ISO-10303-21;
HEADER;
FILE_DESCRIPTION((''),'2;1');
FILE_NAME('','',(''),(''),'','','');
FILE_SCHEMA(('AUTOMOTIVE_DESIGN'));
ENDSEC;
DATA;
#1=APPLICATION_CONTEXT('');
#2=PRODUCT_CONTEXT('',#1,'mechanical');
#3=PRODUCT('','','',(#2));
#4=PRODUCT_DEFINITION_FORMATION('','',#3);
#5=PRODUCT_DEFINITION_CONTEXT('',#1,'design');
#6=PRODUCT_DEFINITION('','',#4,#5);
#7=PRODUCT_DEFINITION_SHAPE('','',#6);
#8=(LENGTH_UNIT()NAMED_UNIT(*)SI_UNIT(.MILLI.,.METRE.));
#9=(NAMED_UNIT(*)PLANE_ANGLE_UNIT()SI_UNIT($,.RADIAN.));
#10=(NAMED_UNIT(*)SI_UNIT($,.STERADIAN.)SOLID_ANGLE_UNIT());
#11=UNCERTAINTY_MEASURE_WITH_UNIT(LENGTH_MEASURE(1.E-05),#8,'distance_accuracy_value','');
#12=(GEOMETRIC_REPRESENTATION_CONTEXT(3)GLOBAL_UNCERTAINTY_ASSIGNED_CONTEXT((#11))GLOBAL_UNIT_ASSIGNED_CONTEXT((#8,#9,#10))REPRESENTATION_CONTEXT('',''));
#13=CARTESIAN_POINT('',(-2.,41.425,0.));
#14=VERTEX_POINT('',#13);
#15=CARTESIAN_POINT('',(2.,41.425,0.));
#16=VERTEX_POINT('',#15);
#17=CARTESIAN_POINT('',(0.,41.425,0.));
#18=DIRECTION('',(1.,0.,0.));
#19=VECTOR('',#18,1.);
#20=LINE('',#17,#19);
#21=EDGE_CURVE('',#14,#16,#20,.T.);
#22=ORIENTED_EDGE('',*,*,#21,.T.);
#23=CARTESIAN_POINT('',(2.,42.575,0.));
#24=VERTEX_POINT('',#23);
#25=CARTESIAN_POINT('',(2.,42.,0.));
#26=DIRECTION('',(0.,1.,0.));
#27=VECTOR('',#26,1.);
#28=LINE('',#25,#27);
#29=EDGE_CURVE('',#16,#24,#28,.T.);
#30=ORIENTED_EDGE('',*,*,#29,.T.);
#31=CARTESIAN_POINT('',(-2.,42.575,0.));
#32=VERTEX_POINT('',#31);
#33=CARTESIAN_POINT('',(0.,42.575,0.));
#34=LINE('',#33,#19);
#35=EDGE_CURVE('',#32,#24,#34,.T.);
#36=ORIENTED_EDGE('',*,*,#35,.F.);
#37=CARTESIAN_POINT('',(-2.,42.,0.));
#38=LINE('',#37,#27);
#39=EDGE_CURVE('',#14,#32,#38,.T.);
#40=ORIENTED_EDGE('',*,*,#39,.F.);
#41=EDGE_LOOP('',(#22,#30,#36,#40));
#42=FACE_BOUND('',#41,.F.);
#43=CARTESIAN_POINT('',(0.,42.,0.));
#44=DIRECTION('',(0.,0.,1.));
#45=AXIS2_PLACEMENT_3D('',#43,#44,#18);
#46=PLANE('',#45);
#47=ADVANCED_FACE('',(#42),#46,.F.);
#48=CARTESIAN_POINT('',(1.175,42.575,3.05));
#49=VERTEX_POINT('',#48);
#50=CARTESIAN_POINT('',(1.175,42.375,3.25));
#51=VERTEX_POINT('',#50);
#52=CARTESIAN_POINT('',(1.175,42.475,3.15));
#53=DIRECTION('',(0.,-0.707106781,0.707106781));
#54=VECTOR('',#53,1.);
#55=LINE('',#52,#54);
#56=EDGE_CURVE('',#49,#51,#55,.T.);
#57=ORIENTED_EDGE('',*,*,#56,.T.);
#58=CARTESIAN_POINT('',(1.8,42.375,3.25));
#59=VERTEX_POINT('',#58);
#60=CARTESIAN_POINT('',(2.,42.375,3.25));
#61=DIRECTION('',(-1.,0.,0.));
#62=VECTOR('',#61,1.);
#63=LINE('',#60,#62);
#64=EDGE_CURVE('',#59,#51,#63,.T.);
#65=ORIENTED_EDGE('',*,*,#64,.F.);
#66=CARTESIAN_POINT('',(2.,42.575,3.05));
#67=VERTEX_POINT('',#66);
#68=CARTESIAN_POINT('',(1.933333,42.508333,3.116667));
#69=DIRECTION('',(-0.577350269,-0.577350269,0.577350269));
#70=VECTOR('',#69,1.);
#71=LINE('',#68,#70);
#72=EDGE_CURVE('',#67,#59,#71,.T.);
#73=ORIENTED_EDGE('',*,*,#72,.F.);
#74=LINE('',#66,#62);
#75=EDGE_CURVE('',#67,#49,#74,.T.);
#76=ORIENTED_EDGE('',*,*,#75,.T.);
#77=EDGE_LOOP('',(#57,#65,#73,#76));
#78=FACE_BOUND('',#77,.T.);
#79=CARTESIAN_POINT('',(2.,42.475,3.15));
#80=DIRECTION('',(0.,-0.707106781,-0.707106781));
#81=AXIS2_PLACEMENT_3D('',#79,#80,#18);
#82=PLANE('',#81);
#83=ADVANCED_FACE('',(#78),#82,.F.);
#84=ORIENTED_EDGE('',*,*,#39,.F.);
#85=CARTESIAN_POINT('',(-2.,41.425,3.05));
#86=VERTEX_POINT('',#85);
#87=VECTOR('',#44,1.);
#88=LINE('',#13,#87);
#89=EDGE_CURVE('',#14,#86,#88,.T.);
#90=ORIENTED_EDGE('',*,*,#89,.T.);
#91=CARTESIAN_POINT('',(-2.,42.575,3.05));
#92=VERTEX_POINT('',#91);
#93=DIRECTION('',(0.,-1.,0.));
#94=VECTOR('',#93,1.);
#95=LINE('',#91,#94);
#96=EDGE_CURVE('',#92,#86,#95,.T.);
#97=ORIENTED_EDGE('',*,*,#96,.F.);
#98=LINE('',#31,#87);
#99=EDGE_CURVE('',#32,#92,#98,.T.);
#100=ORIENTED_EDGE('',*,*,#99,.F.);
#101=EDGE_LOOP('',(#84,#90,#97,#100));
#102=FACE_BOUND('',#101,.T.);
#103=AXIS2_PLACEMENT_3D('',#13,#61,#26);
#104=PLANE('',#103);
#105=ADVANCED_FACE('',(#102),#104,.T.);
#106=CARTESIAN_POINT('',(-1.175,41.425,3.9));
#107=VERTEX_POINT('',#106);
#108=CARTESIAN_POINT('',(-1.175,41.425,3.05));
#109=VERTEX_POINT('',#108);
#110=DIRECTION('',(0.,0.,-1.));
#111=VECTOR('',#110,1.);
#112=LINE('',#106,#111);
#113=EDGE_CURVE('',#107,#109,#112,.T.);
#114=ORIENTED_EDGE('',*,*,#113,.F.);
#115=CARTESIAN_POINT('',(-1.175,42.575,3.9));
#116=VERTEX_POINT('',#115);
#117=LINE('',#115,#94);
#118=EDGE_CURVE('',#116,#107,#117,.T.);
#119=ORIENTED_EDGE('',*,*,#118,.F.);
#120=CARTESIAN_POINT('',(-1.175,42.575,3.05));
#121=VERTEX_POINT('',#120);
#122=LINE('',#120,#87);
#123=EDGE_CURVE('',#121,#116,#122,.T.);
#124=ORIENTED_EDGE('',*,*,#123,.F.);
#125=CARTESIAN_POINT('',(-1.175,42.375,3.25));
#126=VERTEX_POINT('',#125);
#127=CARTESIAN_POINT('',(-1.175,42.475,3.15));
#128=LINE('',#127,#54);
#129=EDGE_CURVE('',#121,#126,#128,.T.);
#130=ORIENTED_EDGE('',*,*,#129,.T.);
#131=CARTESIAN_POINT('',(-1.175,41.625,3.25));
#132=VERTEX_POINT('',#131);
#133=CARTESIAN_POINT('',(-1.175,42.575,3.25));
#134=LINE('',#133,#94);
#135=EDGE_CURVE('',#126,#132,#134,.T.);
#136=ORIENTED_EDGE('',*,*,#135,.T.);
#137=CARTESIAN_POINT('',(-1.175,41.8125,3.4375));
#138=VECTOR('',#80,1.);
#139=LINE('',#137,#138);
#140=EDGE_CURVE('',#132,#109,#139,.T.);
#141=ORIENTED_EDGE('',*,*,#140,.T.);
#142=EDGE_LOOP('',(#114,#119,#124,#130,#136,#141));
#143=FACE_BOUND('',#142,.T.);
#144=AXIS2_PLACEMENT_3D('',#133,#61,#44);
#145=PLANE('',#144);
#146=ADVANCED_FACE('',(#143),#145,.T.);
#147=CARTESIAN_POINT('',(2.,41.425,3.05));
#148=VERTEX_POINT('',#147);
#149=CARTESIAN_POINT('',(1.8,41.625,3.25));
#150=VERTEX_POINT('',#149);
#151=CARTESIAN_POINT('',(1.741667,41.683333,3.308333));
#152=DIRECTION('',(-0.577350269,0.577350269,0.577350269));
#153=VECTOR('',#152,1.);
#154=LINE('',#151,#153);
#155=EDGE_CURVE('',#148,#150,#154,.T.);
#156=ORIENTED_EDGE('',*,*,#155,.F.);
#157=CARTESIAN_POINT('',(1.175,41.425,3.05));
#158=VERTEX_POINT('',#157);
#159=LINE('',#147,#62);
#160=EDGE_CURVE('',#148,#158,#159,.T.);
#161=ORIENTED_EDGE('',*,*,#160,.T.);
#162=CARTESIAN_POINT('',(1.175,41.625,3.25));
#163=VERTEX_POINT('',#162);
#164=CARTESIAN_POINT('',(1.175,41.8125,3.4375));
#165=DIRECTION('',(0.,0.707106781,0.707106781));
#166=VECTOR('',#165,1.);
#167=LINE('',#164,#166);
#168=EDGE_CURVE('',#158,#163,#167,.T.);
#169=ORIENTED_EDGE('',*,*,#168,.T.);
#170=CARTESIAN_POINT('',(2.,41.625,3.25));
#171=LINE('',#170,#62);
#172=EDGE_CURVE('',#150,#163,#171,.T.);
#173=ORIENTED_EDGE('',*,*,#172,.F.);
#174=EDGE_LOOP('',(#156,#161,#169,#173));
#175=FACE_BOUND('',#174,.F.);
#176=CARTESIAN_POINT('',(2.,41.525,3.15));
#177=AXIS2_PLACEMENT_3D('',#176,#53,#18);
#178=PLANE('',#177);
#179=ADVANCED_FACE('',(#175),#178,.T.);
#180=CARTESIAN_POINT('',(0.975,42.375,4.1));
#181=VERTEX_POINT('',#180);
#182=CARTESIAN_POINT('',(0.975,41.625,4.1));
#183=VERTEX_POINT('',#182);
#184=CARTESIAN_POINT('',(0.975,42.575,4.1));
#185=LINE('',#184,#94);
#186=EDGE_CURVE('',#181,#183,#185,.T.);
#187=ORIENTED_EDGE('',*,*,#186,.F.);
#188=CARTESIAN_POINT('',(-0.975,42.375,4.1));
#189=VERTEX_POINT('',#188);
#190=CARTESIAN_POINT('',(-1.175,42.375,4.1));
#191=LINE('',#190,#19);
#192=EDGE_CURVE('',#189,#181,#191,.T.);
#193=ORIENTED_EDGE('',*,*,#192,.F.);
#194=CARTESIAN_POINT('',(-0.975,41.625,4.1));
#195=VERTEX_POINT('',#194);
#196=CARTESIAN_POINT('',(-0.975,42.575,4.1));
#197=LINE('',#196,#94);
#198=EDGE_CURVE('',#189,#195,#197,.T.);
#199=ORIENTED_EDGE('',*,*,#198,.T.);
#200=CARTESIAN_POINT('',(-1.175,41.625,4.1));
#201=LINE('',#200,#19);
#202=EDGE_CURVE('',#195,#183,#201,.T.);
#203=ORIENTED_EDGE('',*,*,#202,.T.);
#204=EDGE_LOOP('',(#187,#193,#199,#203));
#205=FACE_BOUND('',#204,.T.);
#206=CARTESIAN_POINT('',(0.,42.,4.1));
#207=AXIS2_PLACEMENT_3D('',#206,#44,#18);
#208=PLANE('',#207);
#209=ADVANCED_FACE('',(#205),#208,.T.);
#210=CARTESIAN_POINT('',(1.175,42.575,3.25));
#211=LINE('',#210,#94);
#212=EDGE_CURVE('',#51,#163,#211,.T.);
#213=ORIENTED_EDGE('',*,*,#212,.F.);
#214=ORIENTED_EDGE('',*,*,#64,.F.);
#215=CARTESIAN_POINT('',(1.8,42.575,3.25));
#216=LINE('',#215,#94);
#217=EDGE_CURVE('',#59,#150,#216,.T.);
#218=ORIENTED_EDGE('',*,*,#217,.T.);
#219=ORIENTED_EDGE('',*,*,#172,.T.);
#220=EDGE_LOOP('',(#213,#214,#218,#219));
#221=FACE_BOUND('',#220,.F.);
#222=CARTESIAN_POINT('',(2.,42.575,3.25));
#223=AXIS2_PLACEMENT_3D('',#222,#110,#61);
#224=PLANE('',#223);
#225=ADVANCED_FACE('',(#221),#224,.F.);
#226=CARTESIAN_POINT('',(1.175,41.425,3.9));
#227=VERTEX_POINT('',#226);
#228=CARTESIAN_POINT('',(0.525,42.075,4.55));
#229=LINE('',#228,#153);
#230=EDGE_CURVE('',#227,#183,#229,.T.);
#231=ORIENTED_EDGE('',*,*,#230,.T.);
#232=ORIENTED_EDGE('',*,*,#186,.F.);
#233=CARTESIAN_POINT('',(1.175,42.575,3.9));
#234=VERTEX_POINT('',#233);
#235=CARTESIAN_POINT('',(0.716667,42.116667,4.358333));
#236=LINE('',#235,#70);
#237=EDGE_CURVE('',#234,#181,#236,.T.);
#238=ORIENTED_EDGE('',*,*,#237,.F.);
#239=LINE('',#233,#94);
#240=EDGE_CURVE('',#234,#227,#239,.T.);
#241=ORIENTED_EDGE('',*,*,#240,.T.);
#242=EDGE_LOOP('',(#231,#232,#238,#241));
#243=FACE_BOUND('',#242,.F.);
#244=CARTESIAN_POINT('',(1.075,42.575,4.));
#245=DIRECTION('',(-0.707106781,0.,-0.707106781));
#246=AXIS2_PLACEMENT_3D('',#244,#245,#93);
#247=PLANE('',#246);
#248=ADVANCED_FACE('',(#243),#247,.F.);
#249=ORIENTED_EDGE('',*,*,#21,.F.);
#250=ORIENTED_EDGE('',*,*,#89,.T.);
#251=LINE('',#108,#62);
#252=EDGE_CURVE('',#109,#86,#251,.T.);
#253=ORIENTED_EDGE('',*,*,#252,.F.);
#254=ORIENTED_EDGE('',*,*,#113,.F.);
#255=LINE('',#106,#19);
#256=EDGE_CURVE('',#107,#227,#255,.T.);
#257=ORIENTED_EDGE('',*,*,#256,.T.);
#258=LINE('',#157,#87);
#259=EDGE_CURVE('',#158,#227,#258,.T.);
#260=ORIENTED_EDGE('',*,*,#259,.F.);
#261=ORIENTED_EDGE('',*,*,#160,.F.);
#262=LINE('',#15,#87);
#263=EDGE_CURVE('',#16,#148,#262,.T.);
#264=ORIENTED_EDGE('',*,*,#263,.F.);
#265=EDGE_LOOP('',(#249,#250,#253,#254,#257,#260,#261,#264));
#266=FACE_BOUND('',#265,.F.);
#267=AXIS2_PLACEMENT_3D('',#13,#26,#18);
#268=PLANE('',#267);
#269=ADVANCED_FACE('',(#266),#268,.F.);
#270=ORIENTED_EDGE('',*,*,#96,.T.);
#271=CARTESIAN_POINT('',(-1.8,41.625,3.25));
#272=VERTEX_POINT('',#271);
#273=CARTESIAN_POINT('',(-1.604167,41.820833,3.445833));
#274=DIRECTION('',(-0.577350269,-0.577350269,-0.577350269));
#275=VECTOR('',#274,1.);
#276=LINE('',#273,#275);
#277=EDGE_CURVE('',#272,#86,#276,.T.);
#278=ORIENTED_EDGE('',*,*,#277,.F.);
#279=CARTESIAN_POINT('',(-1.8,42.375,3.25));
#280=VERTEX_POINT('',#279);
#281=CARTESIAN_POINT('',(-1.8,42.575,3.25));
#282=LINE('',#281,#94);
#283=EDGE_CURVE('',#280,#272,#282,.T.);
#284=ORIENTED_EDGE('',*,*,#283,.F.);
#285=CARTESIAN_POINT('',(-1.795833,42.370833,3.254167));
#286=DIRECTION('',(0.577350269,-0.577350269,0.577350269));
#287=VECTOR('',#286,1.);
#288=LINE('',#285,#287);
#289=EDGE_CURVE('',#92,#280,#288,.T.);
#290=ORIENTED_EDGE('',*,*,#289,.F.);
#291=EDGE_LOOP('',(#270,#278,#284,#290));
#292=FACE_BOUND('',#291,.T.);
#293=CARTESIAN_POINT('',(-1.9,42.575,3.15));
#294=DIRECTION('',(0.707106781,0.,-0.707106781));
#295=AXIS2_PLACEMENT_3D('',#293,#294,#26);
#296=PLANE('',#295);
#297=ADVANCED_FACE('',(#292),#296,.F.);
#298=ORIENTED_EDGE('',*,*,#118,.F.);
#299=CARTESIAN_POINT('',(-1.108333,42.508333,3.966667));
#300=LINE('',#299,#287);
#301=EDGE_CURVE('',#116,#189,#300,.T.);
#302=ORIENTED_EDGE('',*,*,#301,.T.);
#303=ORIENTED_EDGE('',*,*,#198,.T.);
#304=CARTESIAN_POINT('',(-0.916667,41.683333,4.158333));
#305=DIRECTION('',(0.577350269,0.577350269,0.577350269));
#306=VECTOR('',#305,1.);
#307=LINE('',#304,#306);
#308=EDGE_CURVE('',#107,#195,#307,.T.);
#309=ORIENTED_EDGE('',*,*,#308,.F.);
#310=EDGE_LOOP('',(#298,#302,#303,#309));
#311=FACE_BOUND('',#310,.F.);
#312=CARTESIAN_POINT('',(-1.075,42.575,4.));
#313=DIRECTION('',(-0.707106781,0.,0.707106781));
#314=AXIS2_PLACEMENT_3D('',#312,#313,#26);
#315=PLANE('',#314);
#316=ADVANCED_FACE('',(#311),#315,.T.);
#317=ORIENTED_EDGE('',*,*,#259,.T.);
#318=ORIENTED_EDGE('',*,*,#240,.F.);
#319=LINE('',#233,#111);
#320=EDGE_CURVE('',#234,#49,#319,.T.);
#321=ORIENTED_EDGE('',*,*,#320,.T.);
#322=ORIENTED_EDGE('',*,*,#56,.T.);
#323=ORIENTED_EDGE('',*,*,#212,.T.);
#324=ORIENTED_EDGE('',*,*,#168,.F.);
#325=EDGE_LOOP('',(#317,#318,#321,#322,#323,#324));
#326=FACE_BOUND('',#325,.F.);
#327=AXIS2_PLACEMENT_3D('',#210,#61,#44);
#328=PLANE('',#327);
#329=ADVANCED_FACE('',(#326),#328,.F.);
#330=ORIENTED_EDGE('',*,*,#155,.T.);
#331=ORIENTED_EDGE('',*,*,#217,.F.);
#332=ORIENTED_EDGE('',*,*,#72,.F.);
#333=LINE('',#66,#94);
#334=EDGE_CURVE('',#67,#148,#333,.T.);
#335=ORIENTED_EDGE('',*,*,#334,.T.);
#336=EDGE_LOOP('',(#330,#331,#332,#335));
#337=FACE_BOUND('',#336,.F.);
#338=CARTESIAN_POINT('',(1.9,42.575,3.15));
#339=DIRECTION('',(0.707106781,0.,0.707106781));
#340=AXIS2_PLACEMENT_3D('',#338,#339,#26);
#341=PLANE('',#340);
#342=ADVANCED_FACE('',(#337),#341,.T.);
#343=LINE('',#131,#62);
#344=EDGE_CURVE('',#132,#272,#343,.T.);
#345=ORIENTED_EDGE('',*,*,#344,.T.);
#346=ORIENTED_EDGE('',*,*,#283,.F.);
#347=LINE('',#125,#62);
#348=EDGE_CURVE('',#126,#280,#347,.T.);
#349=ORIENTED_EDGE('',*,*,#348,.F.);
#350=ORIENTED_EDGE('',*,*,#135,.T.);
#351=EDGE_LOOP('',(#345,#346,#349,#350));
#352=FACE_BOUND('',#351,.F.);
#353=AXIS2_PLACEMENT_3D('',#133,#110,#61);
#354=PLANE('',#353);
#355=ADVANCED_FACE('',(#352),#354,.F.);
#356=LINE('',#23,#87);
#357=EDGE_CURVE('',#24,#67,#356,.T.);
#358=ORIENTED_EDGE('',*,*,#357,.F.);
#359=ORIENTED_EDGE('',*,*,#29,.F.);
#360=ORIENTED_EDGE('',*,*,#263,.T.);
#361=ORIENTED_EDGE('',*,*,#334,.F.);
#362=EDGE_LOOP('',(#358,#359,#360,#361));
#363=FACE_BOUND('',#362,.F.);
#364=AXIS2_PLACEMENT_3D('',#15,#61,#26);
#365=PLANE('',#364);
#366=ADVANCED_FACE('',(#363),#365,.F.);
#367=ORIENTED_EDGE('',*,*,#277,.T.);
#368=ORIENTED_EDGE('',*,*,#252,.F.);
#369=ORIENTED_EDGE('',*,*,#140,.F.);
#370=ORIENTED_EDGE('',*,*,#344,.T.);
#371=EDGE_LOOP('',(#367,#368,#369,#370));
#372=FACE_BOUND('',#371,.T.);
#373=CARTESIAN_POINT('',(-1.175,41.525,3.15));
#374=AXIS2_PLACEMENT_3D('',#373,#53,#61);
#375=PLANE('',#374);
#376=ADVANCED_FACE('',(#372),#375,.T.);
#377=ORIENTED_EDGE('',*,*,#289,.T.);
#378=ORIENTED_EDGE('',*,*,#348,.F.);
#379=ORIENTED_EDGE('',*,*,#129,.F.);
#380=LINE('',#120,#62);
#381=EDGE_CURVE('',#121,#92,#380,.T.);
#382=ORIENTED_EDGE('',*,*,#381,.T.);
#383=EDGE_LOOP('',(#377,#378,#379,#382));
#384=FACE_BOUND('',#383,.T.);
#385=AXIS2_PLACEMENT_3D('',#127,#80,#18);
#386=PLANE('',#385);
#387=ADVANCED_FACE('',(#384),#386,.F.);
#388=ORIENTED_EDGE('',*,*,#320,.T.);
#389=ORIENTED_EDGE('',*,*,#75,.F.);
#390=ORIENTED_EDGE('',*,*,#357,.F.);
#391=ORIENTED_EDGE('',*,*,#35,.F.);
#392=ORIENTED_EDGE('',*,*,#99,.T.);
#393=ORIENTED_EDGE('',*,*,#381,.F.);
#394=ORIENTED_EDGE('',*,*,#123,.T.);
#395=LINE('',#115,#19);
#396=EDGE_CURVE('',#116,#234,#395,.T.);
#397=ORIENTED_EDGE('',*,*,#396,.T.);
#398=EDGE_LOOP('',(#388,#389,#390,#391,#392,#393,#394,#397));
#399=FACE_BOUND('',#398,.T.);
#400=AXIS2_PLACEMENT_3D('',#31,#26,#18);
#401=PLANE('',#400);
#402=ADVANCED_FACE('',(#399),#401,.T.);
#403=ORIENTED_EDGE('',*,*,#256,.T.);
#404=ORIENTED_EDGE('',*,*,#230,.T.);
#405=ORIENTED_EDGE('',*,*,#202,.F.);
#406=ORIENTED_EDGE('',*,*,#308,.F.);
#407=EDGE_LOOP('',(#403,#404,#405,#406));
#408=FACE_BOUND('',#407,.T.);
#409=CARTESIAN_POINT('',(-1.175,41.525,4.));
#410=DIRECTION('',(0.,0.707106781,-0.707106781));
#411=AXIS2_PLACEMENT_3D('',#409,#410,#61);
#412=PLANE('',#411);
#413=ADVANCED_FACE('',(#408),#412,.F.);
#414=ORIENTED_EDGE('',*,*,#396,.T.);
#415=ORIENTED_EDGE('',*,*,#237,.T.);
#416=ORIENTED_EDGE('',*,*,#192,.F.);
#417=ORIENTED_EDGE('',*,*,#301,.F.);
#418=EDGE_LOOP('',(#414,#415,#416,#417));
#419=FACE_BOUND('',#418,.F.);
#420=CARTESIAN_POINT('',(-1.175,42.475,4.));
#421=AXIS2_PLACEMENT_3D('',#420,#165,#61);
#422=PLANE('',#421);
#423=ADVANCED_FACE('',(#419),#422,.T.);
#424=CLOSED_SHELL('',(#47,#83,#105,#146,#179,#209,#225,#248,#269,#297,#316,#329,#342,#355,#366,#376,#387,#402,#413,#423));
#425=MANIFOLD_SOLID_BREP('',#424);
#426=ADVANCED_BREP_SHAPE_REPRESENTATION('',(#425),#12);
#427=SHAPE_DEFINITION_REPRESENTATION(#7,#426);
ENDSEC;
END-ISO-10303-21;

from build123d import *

# Parameters (mm, degrees)
SKETCH008_W     = 4
SKETCH008_H     = 1.15
PAD005_DEPTH    = 4.1
SKETCH009_W     = 0.825
SKETCH009_H     = 0.85
POCKET002_DEPTH = 5
CHAMFER005_SIZE = 0.2


with BuildPart() as part:
    # Sketch008 → Pad005 (new body)
    with BuildSketch(Plane.XY):
        Rectangle(SKETCH008_W, SKETCH008_H)
    extrude(amount=PAD005_DEPTH)

    # Sketch009 (on Face1 of Pad005) → Pocket002 (cut)
    with BuildSketch(Plane(origin=(0, 0.575, 0), x_dir=(-1, 0, 0), z_dir=(0, 1, 0))):
        with Locations((-1.5875, 3.675)):
            Rectangle(SKETCH009_W, SKETCH009_H)
        with Locations((1.5875, 3.675)):
            Rectangle(SKETCH009_W, SKETCH009_H)
    extrude(amount=-POCKET002_DEPTH, mode=Mode.SUBTRACT)

    # Chamfer005
    chamfer005_edges = [part.edges().sort_by_distance(p)[0] for p in [
        (0, 0.575, 4.1),
        (0, -0.575, 4.1),
        (1.5875, 0.575, 3.25),
        (-1.5875, 0.575, 3.25),
        (-1.5875, -0.575, 3.25),
        (1.5875, -0.575, 3.25),
        (2, 0, 3.25),
        (-2, 0, 3.25),
        (1.175, 0, 4.1),
        (-1.175, 0, 4.1),
    ]]
    chamfer(chamfer005_edges, length=CHAMFER005_SIZE)


with BuildPart() as part_1:
    # Body041 placement: moved
    add(part.part.moved(Location((0, 42, 0))))


solid = part_1.part
